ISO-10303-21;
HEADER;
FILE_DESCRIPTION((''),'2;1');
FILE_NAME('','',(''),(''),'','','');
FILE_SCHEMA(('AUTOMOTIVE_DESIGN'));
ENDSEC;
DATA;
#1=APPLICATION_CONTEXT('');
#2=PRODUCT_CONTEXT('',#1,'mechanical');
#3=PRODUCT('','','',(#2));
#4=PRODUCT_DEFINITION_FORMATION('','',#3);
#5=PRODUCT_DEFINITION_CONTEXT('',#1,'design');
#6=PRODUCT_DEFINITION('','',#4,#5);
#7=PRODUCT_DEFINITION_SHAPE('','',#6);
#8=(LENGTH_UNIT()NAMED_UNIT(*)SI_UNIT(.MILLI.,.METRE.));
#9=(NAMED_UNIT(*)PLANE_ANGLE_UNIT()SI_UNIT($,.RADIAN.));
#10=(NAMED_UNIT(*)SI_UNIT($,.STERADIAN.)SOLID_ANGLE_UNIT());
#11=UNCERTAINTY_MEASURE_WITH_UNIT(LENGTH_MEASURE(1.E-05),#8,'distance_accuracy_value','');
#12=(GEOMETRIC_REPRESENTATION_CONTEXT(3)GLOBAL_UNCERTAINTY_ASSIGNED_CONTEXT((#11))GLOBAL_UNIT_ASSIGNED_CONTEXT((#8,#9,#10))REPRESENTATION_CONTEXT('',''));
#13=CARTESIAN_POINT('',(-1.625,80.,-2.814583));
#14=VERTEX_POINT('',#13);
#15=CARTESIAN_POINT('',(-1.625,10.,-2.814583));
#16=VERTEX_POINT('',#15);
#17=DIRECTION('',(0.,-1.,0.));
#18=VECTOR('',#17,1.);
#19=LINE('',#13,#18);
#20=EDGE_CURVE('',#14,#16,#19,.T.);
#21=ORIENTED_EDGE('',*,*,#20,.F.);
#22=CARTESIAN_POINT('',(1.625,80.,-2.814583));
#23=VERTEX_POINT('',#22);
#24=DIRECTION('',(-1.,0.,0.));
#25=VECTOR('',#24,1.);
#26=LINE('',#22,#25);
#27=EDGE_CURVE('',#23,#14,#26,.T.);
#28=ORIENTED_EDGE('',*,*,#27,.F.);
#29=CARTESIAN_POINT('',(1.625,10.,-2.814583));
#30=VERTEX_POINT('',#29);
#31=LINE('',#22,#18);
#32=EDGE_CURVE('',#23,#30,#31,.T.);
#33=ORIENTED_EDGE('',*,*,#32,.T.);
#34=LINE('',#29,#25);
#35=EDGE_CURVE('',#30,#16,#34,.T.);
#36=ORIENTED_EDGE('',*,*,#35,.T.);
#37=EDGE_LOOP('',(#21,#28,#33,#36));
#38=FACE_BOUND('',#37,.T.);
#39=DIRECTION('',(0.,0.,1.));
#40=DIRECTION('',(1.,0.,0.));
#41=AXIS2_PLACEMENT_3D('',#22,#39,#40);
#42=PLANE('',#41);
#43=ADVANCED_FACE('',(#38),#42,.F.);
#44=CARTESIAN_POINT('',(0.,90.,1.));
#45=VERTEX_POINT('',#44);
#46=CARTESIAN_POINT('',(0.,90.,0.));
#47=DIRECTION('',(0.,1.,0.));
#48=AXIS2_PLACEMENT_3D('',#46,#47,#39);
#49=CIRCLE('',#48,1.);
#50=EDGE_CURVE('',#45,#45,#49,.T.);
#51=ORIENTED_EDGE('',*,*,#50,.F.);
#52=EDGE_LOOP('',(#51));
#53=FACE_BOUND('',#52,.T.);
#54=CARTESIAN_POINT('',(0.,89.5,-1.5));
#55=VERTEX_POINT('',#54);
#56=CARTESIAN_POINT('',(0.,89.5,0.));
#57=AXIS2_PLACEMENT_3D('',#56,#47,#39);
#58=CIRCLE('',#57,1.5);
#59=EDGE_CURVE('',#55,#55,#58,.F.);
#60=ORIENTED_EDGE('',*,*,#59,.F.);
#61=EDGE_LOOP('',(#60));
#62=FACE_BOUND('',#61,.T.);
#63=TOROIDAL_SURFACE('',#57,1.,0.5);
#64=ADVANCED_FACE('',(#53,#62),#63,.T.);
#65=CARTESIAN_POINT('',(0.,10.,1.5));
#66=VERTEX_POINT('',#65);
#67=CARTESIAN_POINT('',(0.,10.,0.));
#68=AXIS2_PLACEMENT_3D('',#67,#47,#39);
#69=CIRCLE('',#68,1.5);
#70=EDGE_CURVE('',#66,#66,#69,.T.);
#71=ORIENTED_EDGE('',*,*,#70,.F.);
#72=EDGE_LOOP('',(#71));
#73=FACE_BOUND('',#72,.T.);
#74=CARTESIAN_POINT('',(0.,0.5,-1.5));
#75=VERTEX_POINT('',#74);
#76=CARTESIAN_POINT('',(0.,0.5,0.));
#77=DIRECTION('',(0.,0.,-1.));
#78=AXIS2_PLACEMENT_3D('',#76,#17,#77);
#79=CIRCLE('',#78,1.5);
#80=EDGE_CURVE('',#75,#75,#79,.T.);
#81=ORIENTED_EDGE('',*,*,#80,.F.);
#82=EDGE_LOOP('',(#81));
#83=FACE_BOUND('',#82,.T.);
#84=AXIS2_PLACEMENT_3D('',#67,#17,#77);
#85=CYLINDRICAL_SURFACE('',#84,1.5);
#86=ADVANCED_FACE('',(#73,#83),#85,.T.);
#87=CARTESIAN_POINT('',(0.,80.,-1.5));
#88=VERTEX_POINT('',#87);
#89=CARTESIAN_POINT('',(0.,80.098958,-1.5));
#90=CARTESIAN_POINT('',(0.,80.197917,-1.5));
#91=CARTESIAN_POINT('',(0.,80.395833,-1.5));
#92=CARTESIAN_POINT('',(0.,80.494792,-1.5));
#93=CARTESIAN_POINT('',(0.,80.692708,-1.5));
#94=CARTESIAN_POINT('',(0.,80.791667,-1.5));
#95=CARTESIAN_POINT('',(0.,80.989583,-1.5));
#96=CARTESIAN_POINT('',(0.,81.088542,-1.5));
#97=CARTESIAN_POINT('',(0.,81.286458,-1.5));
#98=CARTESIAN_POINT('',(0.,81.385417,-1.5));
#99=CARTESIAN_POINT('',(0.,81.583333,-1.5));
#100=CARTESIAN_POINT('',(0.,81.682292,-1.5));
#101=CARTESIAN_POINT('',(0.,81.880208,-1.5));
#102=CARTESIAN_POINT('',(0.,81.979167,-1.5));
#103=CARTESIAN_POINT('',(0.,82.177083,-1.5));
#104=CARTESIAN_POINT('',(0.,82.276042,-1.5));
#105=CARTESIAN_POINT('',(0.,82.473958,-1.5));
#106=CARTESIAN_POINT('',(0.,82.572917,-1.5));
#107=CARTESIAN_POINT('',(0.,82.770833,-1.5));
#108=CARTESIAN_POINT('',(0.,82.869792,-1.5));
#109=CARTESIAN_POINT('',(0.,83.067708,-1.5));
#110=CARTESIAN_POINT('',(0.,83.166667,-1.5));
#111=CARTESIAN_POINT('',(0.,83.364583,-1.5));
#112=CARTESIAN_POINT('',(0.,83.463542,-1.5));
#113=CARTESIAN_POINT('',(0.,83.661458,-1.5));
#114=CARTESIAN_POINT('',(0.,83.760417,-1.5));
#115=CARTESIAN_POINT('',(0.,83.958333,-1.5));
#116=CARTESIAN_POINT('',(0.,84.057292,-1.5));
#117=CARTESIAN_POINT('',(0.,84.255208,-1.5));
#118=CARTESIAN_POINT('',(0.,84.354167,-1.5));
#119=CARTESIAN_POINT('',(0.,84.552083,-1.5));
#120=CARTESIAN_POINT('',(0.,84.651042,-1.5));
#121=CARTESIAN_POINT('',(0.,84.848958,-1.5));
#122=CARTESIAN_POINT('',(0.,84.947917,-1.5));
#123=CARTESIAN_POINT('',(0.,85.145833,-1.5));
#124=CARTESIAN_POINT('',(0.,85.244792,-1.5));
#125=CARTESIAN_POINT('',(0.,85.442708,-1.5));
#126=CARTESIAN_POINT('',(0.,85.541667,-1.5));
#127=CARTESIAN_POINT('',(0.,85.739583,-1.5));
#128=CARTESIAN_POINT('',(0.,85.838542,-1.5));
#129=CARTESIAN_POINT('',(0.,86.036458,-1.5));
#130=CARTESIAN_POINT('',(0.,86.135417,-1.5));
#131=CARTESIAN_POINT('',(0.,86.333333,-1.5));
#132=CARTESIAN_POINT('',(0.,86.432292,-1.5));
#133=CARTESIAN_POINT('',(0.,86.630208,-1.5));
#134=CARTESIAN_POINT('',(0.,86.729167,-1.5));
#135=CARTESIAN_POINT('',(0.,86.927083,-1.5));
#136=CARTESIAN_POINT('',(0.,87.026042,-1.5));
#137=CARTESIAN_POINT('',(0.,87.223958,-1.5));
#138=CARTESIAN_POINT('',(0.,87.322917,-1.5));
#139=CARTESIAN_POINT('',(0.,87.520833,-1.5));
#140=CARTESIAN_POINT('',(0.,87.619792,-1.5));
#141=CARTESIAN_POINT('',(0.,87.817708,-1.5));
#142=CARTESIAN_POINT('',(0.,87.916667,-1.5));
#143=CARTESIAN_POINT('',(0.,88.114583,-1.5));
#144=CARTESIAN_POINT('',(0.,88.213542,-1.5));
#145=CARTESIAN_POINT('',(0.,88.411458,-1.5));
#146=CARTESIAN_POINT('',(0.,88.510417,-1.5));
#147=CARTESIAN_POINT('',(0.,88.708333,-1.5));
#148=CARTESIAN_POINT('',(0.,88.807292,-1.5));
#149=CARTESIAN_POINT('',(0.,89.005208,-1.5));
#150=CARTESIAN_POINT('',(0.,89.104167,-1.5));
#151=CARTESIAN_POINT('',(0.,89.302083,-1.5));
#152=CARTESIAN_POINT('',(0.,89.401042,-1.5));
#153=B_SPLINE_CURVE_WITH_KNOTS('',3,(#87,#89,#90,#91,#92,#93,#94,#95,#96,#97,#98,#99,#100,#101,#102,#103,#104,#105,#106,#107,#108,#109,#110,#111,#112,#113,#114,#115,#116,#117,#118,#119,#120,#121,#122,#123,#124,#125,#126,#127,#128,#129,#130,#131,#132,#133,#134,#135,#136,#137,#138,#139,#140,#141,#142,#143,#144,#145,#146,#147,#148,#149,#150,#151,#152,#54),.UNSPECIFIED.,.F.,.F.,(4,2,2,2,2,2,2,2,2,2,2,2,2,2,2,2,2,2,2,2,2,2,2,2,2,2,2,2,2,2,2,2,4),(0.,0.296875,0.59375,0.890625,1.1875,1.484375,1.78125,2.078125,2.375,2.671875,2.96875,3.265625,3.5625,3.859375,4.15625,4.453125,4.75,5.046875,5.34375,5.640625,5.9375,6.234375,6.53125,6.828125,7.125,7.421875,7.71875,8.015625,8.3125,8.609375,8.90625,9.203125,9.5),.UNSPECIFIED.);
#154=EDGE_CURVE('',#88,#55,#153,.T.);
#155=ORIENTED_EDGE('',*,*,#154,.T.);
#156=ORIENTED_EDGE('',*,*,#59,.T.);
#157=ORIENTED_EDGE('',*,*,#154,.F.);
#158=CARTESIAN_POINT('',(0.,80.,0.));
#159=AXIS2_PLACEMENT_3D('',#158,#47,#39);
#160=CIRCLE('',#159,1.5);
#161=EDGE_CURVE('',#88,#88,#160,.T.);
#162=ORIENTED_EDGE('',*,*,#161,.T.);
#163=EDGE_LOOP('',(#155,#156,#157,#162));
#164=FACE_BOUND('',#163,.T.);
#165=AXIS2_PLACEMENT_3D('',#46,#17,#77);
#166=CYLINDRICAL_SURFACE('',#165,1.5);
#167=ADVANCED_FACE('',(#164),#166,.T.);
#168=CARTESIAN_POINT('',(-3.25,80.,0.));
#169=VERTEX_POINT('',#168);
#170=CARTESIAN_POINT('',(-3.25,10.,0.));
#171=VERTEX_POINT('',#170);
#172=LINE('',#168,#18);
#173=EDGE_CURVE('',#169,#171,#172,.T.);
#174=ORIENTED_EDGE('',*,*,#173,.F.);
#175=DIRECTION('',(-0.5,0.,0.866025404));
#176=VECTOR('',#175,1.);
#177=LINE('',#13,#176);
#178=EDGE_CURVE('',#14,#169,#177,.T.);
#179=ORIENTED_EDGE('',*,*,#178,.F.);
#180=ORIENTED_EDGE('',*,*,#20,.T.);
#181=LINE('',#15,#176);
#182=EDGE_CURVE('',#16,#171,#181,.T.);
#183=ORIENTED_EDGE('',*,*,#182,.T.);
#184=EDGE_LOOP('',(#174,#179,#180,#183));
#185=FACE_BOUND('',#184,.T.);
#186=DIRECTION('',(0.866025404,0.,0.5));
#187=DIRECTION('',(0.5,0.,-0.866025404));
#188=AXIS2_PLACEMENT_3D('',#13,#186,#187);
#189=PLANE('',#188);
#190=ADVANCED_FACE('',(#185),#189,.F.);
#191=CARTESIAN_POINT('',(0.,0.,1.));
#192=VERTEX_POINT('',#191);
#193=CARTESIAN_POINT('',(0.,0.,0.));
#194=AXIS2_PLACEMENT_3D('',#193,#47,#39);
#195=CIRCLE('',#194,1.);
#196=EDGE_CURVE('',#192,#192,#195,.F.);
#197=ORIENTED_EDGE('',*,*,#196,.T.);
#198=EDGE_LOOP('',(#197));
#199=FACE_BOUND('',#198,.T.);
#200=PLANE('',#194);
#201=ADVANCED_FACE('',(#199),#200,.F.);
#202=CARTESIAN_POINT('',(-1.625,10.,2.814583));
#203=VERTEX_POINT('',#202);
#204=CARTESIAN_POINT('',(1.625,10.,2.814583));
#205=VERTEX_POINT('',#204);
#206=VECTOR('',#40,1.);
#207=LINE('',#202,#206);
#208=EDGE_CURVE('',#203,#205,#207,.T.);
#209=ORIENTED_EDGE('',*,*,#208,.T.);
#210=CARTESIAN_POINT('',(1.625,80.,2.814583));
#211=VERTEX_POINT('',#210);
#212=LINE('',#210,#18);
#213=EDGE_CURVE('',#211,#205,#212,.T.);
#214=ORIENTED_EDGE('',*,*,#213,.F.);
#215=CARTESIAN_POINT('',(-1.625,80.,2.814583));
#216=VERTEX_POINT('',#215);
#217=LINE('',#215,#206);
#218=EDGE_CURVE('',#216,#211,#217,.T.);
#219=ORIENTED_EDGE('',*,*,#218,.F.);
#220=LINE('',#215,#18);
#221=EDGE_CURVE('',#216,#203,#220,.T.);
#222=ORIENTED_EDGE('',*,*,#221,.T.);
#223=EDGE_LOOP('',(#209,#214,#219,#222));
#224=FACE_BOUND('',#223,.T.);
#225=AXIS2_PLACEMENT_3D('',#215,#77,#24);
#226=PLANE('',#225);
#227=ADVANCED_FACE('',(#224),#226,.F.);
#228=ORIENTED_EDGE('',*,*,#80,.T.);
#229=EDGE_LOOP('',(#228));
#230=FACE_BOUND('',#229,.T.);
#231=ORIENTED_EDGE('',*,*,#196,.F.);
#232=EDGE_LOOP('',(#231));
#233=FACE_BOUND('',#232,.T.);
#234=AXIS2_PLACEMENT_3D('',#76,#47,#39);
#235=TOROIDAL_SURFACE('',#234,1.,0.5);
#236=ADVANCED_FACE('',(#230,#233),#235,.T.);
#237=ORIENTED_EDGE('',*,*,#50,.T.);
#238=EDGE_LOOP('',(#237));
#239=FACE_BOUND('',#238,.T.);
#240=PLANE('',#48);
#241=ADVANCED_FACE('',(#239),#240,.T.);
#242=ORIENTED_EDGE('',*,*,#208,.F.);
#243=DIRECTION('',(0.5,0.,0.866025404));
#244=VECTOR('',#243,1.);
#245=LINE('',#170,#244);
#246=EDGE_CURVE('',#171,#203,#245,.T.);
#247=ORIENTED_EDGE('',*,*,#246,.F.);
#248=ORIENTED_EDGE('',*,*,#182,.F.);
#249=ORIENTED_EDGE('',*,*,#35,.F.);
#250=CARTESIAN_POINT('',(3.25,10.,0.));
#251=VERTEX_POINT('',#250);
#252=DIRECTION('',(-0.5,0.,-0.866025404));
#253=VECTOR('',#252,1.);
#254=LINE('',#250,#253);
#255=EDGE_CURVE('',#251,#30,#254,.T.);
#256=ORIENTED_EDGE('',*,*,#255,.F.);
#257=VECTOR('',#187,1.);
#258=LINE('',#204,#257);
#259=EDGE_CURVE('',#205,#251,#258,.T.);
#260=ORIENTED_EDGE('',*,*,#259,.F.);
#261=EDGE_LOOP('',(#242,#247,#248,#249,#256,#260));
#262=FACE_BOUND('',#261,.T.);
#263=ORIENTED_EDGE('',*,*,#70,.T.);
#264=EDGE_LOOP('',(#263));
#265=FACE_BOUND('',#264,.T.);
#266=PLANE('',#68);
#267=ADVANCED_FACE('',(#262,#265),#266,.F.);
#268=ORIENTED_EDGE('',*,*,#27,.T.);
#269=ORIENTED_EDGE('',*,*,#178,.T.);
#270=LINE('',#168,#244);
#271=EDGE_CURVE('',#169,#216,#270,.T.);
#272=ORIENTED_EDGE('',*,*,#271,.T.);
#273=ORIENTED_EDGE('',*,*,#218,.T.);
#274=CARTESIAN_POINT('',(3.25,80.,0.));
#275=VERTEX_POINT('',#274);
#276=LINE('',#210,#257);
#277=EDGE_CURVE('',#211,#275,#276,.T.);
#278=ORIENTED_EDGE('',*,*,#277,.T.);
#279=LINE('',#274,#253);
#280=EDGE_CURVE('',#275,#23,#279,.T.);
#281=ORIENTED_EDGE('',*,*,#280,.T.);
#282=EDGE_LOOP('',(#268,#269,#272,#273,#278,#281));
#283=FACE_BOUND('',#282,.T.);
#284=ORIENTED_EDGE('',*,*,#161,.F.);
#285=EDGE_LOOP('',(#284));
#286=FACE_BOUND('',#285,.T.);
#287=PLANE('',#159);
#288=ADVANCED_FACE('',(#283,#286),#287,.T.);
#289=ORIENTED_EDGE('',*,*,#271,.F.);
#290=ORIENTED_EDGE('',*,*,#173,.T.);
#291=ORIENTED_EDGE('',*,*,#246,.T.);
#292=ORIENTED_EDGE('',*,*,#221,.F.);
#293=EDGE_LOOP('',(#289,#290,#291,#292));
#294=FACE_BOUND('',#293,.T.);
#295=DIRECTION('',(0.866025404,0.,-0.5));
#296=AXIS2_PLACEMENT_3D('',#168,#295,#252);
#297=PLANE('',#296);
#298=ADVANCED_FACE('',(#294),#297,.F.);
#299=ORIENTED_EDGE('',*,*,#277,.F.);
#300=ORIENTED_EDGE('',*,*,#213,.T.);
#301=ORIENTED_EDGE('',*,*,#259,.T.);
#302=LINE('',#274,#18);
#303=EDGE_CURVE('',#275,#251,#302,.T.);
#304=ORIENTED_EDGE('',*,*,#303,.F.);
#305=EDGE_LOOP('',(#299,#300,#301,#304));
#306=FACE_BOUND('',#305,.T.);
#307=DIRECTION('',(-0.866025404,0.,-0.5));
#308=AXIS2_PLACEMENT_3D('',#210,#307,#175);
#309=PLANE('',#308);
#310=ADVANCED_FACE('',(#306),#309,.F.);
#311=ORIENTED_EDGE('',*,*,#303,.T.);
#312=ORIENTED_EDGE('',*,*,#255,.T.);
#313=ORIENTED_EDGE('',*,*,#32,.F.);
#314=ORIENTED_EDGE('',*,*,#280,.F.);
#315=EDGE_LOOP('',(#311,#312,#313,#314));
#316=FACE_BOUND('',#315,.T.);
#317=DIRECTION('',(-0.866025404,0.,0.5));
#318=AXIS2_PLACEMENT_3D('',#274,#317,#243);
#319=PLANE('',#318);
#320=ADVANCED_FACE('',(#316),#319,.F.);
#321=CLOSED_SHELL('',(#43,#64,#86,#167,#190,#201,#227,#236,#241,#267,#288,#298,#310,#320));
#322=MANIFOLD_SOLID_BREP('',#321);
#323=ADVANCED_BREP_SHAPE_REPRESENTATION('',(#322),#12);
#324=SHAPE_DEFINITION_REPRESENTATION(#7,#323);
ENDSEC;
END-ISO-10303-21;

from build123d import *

# Parameters (mm, degrees)
SKETCH_1_R          = 1.5
EXTRUDE_1_DEPTH     = 90
FILLET_1_R          = 0.5
SKETCH_2_R          = 1.5
EXTRUDE_2_DEPTH     = 80
SKETCH_2_3_R        = 1.5
CUT_EXTRUDE_2_DEPTH = 10


with BuildPart() as part:
    # 草图1 → 凸台-拉伸1 (new body)
    with BuildSketch(Plane(origin=(0, 0, 0), x_dir=(1, 0, 0), z_dir=(0, 1, 0))):
        Circle(SKETCH_1_R)
    extrude(amount=EXTRUDE_1_DEPTH)

    # 圆角1
    fillet_1_edges = [part.edges().sort_by_distance(p)[0] for p in [
        (-1.5, 0, 0),
        (-1.5, 90, 0),
    ]]
    fillet(fillet_1_edges, radius=FILLET_1_R)

    # 草图2 → 凸台-拉伸2 (add)
    with BuildSketch(Plane(origin=(0, 0, 0), x_dir=(1, 0, 0), z_dir=(0, 1, 0))):
        Polygon((-1.625, 2.814582562), (-3.25, 0), (-1.625, -2.814582562), (1.625, -2.814582562), (3.25, 0), (1.625, 2.814582562), align=None)
        Circle(SKETCH_2_R, mode=Mode.SUBTRACT)
    extrude(amount=EXTRUDE_2_DEPTH)

    # 草图2<3> → 切除-拉伸2 (cut)
    with BuildSketch(Plane(origin=(0, 0, 0), x_dir=(1, 0, 0), z_dir=(0, 1, 0))):
        Polygon((-1.625, 2.814582562), (-3.25, 0), (-1.625, -2.814582562), (1.625, -2.814582562), (3.25, 0), (1.625, 2.814582562), align=None)
        Circle(SKETCH_2_3_R, mode=Mode.SUBTRACT)
    extrude(amount=CUT_EXTRUDE_2_DEPTH, mode=Mode.SUBTRACT)


solid = part.part
